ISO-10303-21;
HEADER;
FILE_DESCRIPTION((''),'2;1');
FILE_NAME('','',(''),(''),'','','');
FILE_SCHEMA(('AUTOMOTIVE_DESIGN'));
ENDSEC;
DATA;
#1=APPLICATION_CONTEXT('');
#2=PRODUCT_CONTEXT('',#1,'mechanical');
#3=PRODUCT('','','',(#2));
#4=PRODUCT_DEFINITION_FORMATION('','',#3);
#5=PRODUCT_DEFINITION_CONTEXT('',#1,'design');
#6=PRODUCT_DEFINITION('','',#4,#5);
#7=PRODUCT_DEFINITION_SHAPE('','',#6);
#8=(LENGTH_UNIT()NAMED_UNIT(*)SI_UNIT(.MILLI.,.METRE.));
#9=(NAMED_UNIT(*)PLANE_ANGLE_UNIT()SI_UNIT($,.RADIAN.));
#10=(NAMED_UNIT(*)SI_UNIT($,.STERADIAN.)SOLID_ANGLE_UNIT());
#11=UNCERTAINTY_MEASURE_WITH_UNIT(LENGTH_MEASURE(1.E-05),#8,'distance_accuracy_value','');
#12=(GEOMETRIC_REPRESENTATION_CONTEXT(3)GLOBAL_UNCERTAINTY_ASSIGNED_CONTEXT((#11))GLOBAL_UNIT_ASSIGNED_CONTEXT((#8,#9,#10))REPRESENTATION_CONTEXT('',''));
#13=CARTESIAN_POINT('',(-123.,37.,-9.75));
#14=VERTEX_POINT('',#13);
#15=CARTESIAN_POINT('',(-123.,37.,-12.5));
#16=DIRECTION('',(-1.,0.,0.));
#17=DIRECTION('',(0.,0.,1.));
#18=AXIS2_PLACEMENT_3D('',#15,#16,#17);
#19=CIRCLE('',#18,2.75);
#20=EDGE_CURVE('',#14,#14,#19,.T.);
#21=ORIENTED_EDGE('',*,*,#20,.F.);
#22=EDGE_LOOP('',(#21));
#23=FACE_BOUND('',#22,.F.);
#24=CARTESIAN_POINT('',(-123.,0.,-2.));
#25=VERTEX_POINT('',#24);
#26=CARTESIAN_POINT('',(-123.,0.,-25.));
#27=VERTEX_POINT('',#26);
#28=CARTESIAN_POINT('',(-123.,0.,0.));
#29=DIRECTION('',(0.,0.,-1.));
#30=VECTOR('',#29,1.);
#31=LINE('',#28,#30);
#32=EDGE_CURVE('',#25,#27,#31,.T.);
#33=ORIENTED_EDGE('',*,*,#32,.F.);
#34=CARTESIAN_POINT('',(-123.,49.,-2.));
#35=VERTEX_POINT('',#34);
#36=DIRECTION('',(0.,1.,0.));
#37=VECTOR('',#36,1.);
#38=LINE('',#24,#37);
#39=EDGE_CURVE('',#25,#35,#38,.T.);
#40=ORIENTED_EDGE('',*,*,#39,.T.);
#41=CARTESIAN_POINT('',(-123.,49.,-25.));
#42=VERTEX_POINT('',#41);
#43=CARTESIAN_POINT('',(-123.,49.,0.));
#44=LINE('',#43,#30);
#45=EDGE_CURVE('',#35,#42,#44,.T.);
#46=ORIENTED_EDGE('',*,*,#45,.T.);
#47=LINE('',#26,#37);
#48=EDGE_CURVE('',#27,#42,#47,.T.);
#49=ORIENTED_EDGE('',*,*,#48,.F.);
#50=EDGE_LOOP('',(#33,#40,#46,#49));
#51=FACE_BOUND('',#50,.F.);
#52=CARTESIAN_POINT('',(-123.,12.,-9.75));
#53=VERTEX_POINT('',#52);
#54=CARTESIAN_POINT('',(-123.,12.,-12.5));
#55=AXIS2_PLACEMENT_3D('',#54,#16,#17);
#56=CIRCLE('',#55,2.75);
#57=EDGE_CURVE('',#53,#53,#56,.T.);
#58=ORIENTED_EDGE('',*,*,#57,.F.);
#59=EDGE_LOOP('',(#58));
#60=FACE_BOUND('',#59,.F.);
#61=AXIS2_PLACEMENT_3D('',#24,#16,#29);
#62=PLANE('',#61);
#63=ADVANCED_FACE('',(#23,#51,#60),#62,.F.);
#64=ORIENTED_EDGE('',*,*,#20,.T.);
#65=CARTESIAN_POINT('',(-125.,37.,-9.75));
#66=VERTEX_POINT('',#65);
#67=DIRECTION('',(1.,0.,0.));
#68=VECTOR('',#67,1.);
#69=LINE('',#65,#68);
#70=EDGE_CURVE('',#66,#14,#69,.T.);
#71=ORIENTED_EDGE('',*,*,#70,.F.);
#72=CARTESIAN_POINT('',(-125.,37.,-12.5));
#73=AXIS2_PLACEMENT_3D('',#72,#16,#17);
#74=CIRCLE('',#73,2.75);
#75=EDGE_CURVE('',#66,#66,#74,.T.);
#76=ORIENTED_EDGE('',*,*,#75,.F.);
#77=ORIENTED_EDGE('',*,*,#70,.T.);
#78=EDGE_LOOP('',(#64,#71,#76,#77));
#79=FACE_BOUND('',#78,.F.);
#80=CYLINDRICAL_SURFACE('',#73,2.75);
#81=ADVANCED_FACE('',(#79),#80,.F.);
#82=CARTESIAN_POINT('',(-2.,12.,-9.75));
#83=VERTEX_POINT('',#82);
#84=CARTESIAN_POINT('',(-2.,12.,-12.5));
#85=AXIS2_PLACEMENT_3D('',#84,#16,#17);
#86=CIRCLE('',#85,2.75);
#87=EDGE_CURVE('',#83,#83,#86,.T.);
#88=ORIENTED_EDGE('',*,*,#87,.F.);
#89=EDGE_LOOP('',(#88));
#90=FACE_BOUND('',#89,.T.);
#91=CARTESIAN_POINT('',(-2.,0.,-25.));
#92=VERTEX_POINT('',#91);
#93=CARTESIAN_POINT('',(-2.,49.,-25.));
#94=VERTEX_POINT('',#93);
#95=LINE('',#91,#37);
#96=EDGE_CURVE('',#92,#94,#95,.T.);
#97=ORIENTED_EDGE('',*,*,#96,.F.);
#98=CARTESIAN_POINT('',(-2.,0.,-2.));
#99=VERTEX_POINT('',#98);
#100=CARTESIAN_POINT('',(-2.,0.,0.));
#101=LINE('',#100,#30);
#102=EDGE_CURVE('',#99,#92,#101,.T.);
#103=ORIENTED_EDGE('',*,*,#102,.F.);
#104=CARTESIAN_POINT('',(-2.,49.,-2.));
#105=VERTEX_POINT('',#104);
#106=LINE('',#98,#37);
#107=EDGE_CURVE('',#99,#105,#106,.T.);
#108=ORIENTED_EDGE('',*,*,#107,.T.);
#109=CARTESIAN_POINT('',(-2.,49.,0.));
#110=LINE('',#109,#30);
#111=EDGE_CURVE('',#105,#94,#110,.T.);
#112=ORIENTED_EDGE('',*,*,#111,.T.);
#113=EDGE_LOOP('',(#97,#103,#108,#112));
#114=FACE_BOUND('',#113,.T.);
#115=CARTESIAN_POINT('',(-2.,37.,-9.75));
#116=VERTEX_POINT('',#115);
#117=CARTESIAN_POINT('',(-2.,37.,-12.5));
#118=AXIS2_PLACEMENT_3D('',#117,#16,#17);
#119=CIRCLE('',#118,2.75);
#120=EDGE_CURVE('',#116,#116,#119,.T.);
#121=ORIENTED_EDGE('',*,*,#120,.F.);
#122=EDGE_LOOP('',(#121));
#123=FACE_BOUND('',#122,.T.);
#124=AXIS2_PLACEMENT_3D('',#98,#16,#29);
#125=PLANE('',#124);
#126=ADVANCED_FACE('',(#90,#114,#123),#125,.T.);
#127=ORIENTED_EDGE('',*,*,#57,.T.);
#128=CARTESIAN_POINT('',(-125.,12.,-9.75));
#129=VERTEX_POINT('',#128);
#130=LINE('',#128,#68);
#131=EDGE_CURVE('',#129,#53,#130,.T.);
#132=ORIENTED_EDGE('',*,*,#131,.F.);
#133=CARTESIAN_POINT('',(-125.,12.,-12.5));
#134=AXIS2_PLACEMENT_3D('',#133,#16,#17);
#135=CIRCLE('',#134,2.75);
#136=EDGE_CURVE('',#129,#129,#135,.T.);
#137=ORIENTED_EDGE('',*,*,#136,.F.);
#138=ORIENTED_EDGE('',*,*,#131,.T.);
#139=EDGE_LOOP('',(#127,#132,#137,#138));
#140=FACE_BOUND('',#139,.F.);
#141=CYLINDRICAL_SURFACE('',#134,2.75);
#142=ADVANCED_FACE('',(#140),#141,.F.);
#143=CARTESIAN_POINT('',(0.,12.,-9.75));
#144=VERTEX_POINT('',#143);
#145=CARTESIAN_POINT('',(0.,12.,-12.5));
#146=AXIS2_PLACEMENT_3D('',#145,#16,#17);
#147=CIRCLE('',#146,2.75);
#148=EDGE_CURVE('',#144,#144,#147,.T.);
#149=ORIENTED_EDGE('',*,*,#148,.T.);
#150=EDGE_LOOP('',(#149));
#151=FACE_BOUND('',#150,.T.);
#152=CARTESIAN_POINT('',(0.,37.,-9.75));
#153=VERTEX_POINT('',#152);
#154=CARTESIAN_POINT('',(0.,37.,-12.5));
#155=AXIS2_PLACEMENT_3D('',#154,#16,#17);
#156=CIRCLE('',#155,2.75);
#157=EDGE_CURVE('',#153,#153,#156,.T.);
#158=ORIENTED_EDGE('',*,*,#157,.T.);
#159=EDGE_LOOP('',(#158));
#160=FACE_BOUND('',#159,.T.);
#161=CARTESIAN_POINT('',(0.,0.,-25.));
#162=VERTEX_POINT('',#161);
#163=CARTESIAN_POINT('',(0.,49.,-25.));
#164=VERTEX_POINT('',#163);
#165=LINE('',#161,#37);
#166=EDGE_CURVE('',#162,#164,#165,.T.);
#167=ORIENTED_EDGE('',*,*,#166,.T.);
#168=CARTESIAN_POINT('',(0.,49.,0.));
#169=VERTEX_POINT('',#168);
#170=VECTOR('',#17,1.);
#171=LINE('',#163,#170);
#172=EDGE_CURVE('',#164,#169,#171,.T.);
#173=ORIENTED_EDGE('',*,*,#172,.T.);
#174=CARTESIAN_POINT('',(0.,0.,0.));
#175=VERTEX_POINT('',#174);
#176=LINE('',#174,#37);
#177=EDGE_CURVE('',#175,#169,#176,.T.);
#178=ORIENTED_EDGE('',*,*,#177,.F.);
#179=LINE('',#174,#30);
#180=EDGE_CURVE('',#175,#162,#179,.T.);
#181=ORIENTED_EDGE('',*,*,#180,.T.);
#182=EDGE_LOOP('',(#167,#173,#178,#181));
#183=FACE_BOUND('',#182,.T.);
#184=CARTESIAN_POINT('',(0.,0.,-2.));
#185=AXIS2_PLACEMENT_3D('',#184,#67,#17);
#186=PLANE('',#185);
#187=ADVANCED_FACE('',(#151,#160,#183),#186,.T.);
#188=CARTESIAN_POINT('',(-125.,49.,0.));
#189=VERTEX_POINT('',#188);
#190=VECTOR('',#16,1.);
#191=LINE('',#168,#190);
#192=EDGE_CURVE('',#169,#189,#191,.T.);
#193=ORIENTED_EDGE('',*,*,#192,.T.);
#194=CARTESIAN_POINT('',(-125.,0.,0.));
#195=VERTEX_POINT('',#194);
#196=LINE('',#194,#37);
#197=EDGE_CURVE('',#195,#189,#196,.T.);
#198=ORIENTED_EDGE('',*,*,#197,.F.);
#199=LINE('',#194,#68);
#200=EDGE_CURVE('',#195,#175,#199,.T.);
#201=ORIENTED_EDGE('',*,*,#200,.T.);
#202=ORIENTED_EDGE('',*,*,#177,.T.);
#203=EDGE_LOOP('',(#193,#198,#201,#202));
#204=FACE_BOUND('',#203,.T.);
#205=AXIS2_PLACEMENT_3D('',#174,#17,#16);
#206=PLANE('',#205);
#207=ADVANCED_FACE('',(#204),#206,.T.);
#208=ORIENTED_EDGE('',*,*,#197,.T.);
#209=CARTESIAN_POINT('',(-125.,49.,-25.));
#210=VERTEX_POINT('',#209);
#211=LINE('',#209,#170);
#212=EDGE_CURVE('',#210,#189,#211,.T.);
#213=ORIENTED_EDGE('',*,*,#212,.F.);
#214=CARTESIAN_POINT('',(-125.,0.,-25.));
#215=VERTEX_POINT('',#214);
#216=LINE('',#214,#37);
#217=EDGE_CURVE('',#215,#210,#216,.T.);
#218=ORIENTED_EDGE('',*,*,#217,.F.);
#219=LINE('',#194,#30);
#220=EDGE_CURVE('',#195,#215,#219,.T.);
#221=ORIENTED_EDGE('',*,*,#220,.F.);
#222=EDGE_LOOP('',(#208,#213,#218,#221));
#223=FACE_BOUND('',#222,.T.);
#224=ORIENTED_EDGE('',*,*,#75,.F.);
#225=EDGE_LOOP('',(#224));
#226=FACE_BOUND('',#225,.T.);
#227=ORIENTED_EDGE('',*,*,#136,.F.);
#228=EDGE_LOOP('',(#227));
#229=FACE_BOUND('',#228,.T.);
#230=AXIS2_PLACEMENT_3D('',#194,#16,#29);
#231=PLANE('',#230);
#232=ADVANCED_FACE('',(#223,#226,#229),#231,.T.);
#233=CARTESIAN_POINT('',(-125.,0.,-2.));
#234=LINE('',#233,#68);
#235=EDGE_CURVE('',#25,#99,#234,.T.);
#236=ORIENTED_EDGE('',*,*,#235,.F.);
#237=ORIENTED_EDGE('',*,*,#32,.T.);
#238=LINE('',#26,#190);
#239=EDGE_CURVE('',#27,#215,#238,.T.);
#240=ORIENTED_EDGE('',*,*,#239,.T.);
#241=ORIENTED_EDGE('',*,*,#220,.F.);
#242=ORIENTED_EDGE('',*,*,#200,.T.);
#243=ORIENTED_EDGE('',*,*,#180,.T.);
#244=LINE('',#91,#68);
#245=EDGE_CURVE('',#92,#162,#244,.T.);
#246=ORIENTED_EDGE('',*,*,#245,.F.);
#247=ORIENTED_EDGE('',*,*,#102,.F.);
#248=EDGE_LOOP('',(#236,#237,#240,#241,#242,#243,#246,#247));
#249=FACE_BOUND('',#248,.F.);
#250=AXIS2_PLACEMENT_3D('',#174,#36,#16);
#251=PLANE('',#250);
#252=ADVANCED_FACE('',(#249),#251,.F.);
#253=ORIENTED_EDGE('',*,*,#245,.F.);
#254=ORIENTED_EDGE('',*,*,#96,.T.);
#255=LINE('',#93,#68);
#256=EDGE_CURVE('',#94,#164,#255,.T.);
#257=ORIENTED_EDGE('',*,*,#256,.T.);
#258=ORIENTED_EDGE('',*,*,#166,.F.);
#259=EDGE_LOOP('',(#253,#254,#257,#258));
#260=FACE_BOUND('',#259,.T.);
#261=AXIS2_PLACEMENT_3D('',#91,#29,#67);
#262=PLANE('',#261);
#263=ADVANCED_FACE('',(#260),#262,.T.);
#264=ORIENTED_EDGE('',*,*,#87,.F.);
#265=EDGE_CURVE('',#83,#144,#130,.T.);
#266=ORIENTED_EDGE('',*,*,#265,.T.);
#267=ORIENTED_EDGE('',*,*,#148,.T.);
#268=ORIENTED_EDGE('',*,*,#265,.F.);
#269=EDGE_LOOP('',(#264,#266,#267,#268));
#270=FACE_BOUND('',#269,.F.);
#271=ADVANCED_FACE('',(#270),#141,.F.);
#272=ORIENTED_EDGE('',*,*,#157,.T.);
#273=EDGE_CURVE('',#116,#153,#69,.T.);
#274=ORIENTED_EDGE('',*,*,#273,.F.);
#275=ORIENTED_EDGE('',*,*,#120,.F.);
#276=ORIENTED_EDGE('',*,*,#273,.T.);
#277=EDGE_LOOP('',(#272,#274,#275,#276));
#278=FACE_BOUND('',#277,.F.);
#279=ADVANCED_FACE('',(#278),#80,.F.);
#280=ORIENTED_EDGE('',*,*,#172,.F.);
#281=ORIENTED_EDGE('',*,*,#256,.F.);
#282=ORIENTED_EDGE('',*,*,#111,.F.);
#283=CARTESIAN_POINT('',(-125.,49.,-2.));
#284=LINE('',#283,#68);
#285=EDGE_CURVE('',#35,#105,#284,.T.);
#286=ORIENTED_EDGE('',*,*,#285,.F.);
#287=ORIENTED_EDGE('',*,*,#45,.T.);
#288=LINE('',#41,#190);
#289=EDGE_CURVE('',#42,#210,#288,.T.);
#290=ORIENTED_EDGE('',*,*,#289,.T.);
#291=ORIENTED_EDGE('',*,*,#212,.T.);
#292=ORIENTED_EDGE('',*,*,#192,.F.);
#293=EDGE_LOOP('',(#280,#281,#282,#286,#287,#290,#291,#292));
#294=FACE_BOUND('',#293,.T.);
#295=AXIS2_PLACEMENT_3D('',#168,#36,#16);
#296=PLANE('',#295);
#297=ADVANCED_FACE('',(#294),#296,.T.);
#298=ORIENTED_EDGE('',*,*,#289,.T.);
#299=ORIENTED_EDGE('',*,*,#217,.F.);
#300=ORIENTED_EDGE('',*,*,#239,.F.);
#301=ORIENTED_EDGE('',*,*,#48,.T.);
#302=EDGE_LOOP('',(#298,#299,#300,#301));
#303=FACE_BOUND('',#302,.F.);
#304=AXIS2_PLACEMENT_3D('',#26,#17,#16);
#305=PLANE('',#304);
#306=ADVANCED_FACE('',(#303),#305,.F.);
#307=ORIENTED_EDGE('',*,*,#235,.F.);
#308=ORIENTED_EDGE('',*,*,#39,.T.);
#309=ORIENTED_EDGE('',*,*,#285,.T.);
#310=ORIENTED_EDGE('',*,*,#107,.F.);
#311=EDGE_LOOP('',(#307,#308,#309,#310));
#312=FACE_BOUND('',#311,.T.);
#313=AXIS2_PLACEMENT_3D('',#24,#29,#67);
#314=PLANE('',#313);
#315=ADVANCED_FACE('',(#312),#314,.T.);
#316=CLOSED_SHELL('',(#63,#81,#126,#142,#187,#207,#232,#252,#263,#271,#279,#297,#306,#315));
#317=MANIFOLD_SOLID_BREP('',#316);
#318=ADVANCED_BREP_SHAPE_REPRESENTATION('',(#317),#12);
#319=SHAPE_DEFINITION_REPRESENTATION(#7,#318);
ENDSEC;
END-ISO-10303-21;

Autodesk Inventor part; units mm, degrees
ref_plane "YZ Plane" through (0, 0, 0) normal (1, 0, 0) x (0, 1, 0)
ref_plane "XZ Plane" through (0, 0, 0) normal (0, 1, 0) x (-1, 0, 0)
ref_plane "XY Plane" through (0, 0, 0) normal (0, 0, 1) x (1, 0, 0)
sketch "Sketch1" plane through (0, 0, 0) normal (0, 1, 0) x (-1, 0, 0)
  line L0 (0, 0) -> (125, 0)
  line L1 (125, 0) -> (125, -2)
  line L2 (125, -2) -> (0, -2)
  line L3 (0, -2) -> (0, 0)
  line L4 (0, 0) -> (2, 0)
  line L5 (2, 0) -> (2, -25)
  line L6 (2, -25) -> (0, -25)
  line L7 (0, -25) -> (0, 0)
  line L8 (125, 0) -> (123, 0)
  line L9 (123, 0) -> (123, -25)
  line L10 (123, -25) -> (125, -25)
  line L11 (125, -25) -> (125, 0)
  dimension "d0" = 125
  dimension "d1" = 2
  dimension "d2" = 2
  dimension "d3" = 25
  dimension "d4" = 2
  dimension "d5" = 25
extrude "Extrusion1" add sketch "Sketch1" along normal blind 49
sketch "Sketch2" plane through (-125, 0, -25) normal (-1, 0, 0) x (0, 0, 1)
  circle A0 centre (12.5, 12) radius 2.75
  circle A1 centre (12.5, 37) radius 2.75
  line L0 (0, 49) -> (25, 49) projected
  line L1 (0, 0) -> (0, 49) projected
  line L2 (0, 0) -> (25, 0) projected
  dimension "d8" = 5.5
  dimension "d9" = 5.5
  dimension "d10" = 12
  dimension "d11" = 12.5
  dimension "d12" = 12.5
  dimension "d13" = 12
extrude "Extrusion2" cut sketch "Sketch2" against normal blind 130
properties part number "Vertical Support Small" material "Aluminum 6061"
